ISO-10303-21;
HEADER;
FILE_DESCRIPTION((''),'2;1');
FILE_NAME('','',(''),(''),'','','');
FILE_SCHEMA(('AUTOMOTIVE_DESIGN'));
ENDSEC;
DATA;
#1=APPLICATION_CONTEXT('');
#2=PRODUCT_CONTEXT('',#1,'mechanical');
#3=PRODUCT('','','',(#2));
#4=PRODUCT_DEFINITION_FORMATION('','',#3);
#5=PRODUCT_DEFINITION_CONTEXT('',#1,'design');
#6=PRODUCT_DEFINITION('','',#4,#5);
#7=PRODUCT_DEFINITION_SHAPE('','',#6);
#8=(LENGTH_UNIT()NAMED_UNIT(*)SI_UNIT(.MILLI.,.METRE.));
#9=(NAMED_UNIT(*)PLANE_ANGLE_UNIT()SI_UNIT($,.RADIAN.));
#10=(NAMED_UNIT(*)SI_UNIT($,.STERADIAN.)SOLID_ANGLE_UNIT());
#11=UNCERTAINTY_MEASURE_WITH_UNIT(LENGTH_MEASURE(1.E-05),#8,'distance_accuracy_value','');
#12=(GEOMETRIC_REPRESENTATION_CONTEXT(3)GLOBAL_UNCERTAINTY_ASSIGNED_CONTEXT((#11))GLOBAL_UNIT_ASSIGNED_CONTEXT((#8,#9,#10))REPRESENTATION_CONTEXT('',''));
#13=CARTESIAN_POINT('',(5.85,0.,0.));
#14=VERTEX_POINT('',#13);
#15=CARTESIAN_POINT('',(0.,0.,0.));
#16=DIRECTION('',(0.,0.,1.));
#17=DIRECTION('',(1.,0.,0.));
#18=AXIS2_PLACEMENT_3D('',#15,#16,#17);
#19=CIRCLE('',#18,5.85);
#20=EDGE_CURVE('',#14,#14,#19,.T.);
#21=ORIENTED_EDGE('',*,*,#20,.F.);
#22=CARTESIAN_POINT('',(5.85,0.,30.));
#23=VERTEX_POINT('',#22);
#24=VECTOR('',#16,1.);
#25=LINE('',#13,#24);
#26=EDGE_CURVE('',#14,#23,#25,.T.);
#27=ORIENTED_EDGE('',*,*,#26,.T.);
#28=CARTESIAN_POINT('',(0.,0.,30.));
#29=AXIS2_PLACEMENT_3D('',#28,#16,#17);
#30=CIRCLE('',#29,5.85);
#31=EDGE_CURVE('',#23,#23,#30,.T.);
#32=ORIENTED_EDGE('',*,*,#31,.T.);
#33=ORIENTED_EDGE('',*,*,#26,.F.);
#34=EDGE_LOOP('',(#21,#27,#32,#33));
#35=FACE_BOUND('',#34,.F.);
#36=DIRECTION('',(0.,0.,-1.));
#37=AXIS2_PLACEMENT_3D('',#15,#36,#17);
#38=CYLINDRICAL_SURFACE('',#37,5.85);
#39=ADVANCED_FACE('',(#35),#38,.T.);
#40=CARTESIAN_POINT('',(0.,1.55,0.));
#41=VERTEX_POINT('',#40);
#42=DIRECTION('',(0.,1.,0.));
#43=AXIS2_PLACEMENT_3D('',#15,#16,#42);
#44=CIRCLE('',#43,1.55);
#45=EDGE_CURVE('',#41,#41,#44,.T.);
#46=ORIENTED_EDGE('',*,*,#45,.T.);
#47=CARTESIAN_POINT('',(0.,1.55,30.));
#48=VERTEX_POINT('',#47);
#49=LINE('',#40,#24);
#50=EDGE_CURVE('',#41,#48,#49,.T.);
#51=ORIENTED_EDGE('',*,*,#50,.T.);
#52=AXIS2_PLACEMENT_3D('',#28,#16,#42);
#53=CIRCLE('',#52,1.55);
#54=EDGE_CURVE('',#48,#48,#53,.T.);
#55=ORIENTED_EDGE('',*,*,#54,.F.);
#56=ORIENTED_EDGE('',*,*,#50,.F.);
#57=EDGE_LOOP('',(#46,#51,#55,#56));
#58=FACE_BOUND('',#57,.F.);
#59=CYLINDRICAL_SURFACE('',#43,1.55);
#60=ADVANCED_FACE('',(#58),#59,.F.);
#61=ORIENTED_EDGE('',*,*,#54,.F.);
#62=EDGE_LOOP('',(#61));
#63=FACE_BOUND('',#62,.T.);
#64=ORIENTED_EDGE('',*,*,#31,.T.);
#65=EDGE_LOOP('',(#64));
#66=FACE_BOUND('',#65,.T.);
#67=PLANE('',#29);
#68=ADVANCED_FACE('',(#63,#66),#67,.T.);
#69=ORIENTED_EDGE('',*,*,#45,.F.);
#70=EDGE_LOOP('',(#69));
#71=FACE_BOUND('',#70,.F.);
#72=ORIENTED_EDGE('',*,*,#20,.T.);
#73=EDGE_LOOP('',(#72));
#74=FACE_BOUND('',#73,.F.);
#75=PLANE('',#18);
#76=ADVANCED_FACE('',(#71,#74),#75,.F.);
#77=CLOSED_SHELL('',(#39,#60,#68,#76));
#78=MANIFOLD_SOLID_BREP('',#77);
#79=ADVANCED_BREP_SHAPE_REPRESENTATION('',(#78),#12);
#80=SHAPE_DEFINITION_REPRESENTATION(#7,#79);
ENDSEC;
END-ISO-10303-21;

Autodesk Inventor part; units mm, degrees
ref_plane "YZ Plane" through (0, 0, 0) normal (1, 0, 0) x (0, 1, 0)
ref_plane "XZ Plane" through (0, 0, 0) normal (0, 1, 0) x (-1, 0, 0)
ref_plane "XY Plane" through (0, 0, 0) normal (0, 0, 1) x (1, 0, 0)
sketch "Sketch1" plane through (0, 0, 0) normal (0, 0, 1) x (1, 0, 0)
  circle A0 centre (0, 0) radius 5.85
  dimension "d0" = 11.7
extrude "Extrusion1" add sketch "Sketch1" along normal blind 30
hole "Hole1" at (0, 0, 0) direction (0, 0, 1) diameter 3.1 end through all
properties part number "entretoise"
